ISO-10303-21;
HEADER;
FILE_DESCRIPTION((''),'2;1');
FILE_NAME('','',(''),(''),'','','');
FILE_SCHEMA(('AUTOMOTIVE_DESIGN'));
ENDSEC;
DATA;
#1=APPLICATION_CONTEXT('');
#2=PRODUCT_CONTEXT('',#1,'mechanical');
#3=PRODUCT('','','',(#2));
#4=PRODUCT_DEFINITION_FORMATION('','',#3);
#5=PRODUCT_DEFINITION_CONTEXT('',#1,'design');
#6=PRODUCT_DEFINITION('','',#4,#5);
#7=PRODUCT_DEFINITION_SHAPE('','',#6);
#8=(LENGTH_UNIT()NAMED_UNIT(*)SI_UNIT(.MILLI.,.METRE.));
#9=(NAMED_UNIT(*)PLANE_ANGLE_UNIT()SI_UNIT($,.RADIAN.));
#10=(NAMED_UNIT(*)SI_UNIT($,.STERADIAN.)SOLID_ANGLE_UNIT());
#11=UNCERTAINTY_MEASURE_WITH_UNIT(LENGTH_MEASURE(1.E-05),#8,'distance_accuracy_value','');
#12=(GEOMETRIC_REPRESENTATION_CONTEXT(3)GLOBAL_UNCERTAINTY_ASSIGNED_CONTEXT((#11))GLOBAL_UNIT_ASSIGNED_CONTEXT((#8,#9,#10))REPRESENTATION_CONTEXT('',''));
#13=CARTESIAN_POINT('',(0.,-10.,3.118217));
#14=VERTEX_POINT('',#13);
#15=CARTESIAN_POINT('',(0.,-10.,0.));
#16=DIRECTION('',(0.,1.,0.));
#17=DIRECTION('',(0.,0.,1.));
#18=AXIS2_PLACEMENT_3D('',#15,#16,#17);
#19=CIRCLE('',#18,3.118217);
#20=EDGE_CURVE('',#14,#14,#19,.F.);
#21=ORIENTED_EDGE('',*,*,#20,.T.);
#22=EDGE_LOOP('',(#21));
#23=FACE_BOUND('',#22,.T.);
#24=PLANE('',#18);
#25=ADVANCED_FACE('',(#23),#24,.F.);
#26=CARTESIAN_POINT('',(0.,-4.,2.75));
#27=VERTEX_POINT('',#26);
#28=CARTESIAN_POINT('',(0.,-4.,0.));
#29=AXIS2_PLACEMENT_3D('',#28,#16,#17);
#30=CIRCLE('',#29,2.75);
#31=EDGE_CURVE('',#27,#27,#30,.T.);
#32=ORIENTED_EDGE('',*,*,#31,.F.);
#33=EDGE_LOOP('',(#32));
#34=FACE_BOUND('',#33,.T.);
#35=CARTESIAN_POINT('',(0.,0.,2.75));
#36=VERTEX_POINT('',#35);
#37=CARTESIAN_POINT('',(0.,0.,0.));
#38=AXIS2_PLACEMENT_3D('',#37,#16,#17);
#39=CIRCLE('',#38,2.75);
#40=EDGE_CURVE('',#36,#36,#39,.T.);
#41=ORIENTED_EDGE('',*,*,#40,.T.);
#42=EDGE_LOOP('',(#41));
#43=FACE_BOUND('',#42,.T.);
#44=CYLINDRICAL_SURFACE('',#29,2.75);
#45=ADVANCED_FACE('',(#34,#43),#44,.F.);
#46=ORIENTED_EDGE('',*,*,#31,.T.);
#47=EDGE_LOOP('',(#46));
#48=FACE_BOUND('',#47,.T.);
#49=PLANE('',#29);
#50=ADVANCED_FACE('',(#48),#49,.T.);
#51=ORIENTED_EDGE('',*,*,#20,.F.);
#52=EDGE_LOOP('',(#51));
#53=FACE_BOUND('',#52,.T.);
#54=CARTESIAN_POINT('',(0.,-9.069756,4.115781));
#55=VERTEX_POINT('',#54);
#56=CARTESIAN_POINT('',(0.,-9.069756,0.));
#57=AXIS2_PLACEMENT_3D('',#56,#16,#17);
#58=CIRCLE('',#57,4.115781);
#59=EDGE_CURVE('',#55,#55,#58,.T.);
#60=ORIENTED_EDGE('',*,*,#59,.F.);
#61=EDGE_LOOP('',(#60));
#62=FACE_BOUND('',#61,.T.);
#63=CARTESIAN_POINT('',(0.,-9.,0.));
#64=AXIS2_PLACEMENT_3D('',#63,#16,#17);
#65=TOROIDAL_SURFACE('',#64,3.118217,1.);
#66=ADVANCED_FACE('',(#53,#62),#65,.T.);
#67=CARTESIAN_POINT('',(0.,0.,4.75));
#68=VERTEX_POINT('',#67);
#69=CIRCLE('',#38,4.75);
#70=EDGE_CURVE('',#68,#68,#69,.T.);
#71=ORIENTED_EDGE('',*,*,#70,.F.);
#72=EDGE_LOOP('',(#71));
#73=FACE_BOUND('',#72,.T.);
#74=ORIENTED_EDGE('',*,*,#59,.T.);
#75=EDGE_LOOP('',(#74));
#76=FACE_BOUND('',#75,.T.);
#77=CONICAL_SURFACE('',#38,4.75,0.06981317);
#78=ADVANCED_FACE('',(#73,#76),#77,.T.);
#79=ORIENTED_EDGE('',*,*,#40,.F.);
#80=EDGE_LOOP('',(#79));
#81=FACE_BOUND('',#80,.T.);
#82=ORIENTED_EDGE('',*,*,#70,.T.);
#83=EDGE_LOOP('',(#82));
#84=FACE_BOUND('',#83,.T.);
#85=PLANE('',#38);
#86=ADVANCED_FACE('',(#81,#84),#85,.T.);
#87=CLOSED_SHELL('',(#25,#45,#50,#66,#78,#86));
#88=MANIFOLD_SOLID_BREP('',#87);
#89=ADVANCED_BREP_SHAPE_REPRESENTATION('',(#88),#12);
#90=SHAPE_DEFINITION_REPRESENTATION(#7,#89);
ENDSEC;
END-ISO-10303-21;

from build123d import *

# Parameters (mm, degrees)
SKETCH1_R           = 4.75
BOSS_EXTRUDE1_DEPTH = 10
BOSS_EXTRUDE1_DRAFT = -4
SKETCH2_R           = 2.75
CUT_EXTRUDE1_DEPTH  = 4
FILLET1_R           = 1


with BuildPart() as part:
    # Sketch1 → Boss-Extrude1 (with draft: the straight prism first)
    with BuildSketch(Plane(origin=(0, 0, 0), x_dir=(1, 0, 0), z_dir=(0, 1, 0))):
        Circle(SKETCH1_R)
    extrude(amount=-BOSS_EXTRUDE1_DEPTH)
    # Boss-Extrude1: the draft: its side faces are tilted about the plane it starts from
    boss_extrude1_sides = [part.faces().sort_by_distance(p)[0] for p in [
        (-4.75, -5, 0),
    ]]
    draft(boss_extrude1_sides, Plane(origin=(0, 0, 0), x_dir=(1, 0, 0), z_dir=(0, 1, 0)), BOSS_EXTRUDE1_DRAFT)

    # Sketch2 → Cut-Extrude1 (cut)
    with BuildSketch(Plane(origin=(0, 0, 0), x_dir=(1, 0, 0), z_dir=(0, 1, 0))):
        with Locations(Location((0, 0, 0), (0, 0, 270))):
            Circle(SKETCH2_R)
    extrude(amount=-CUT_EXTRUDE1_DEPTH, mode=Mode.SUBTRACT)

    # Fillet1
    fillet1_edges = [part.edges().sort_by_distance(p)[0] for p in [
        (-4.050731881, -10, 0),
    ]]
    fillet(fillet1_edges, radius=FILLET1_R)


solid = part.part
